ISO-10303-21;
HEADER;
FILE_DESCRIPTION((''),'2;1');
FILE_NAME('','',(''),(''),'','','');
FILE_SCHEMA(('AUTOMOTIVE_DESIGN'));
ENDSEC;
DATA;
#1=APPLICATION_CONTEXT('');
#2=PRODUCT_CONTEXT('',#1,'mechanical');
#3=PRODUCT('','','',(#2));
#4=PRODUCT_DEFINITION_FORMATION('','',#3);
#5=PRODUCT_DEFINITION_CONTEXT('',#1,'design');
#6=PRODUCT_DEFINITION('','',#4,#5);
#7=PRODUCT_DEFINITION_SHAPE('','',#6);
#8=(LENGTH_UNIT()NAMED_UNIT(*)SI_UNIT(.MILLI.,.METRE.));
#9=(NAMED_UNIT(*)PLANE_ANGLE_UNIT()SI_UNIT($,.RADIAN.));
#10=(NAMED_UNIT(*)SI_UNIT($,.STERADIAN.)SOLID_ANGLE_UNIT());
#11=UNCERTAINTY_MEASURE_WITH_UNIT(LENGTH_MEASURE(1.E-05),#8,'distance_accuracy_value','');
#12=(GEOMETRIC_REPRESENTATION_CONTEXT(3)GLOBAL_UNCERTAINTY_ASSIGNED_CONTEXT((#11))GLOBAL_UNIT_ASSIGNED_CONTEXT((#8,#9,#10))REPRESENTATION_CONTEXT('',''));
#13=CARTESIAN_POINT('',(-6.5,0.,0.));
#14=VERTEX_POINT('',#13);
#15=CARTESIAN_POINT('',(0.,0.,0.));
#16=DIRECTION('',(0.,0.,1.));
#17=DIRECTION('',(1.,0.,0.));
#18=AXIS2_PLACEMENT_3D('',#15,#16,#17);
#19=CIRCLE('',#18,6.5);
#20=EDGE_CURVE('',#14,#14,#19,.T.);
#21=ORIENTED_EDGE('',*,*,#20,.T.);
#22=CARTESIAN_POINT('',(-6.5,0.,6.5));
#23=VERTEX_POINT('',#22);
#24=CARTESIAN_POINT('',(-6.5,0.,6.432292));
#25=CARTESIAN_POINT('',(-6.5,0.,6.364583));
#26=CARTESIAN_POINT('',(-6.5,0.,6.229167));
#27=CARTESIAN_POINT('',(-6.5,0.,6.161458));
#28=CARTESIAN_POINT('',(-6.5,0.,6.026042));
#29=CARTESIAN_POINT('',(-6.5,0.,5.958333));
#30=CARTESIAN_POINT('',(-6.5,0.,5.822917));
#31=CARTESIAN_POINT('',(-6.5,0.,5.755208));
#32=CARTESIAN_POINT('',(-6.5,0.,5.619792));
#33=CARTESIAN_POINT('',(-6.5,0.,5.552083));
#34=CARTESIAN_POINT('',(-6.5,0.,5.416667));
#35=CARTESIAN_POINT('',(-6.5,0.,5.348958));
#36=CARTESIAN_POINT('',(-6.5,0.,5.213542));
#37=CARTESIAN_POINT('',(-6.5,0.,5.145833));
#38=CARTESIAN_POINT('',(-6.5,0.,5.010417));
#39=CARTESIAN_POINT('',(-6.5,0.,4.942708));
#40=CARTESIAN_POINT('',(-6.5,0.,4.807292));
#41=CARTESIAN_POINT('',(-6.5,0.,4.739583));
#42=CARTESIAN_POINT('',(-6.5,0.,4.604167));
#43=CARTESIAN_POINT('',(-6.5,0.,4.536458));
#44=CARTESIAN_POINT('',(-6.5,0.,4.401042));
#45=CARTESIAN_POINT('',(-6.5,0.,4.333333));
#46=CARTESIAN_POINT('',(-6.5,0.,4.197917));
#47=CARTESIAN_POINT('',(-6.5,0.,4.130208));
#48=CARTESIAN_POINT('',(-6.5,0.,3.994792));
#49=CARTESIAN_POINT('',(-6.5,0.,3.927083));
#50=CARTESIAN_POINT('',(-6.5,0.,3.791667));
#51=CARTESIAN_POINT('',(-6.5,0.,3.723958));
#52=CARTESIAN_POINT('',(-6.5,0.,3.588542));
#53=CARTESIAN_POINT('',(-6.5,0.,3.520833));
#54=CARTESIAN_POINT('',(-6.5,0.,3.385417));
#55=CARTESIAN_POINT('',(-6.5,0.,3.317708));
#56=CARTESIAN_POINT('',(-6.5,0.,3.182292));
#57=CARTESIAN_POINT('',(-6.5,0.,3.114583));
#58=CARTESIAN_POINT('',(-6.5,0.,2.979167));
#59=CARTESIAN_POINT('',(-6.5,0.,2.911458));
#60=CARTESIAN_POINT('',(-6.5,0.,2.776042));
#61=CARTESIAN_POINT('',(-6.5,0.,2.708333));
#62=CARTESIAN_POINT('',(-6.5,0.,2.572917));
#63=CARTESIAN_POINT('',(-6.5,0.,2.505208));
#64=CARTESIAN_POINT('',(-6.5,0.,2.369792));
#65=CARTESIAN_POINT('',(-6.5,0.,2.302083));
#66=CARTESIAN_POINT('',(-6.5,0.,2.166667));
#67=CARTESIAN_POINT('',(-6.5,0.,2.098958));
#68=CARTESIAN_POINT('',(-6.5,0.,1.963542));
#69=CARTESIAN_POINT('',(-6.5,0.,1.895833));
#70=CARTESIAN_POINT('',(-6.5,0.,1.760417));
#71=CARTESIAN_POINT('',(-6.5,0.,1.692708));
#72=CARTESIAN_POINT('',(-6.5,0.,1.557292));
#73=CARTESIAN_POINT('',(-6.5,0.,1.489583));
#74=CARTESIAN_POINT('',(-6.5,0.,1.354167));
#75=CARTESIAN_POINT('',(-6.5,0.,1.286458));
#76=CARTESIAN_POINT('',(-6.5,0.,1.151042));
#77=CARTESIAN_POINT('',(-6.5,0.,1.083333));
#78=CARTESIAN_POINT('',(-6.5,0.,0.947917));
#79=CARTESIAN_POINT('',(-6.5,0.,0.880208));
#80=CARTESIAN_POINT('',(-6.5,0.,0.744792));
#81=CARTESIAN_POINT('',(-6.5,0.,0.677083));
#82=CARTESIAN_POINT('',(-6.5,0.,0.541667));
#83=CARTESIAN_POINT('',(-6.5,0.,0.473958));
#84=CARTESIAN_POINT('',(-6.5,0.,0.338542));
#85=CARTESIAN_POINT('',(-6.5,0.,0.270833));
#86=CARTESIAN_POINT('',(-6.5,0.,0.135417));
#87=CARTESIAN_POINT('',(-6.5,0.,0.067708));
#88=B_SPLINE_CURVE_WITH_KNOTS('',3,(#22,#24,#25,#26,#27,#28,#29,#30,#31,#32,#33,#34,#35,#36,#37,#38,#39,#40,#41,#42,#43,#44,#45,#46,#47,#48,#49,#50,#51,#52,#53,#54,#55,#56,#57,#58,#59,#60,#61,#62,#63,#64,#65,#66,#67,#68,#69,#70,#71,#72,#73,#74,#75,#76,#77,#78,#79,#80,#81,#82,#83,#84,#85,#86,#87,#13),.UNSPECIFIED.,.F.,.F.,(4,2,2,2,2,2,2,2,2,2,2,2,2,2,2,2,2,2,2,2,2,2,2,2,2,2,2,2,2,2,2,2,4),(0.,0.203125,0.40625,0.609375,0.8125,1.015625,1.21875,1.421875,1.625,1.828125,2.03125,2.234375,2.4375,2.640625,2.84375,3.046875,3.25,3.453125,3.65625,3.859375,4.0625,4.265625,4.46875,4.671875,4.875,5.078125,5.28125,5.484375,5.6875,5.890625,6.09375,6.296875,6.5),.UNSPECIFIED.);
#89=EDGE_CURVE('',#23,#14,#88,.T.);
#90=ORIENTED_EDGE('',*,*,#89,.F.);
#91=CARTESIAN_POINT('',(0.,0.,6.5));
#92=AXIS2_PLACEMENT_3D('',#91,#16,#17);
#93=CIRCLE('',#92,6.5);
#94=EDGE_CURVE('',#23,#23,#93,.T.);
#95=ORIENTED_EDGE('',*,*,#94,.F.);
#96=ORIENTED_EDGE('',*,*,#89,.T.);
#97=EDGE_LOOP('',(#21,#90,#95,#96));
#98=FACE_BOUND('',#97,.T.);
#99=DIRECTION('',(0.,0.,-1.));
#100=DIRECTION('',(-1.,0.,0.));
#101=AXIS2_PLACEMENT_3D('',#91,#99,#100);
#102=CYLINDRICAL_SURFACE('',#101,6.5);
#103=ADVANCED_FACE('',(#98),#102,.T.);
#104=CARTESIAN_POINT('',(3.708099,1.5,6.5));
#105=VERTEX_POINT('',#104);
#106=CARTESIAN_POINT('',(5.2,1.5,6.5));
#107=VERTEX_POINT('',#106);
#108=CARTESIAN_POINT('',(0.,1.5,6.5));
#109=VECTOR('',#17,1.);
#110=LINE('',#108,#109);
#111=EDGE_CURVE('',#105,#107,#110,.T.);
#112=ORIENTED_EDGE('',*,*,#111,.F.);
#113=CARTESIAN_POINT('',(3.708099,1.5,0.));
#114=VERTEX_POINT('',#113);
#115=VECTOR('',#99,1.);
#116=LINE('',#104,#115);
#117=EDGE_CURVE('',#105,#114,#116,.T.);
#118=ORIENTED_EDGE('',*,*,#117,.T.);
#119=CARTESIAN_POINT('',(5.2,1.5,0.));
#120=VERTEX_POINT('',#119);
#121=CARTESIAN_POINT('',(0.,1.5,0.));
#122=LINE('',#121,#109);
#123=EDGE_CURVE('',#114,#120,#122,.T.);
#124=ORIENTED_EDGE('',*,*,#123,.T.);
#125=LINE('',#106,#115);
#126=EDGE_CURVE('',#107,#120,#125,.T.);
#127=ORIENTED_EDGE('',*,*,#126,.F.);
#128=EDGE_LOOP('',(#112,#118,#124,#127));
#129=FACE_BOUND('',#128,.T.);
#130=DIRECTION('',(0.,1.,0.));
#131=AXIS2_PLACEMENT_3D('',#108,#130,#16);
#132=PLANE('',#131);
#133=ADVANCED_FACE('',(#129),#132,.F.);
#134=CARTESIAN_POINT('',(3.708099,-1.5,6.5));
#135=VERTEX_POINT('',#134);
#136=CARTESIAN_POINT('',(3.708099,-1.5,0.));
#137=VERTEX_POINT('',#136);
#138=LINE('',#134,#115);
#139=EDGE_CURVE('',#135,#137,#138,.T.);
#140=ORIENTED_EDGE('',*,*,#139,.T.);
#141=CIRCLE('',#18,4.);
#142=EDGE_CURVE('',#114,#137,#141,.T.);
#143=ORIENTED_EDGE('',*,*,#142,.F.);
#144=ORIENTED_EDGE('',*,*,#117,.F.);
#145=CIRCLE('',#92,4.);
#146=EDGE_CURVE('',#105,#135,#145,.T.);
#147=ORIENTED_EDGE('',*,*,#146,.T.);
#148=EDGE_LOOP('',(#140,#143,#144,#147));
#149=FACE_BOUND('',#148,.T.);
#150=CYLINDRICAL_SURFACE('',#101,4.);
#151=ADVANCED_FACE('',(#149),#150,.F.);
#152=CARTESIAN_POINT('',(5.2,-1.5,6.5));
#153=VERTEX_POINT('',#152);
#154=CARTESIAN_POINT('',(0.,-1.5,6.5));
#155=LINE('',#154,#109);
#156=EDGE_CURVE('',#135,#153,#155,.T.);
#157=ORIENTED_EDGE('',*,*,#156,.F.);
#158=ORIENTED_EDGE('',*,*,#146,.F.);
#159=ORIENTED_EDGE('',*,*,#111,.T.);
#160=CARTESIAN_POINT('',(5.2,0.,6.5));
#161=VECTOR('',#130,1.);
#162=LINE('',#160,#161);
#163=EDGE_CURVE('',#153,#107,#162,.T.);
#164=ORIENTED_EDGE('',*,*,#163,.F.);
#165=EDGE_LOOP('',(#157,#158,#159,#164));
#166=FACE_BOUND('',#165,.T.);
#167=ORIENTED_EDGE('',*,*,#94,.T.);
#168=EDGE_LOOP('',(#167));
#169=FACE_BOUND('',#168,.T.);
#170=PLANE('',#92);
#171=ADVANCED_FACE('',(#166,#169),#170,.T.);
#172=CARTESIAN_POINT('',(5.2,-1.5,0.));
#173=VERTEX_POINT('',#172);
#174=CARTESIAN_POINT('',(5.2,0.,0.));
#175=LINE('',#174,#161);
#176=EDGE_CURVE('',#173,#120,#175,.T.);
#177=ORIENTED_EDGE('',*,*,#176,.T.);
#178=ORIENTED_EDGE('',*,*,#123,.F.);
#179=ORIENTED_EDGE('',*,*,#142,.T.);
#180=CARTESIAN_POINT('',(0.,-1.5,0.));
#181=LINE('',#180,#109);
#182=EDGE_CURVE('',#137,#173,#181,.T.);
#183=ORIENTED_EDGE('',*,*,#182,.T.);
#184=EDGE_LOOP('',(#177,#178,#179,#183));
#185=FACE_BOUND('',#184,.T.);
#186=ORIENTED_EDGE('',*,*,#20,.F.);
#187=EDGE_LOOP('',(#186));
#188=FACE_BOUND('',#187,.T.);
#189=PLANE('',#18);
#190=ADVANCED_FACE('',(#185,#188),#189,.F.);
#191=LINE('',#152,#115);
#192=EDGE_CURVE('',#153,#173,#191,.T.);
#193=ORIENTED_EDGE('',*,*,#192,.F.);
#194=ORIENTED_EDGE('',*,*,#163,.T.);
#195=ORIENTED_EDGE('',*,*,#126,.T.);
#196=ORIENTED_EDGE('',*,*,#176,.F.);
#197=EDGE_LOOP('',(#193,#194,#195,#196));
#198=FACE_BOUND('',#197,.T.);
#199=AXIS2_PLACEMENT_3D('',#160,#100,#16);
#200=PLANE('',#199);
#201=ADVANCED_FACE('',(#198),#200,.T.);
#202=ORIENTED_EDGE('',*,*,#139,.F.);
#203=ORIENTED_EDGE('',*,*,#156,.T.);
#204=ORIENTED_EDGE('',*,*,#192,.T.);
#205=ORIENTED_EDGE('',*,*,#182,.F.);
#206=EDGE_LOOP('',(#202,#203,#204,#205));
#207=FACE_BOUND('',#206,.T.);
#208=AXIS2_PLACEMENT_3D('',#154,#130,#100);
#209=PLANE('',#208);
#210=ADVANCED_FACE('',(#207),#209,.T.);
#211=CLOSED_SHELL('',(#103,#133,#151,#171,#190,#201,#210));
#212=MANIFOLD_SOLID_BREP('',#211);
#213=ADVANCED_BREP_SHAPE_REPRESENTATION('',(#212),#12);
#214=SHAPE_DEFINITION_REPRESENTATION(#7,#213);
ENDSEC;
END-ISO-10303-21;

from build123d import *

# Parameters (mm, degrees)
SKETCH1_R           = 6.5
BOSS_EXTRUDE1_DEPTH = 6.5


with BuildPart() as part:
    # Sketch1 → Boss-Extrude1 (new body)
    with BuildSketch(Plane.XY):
        with Locations(Location((0, 0, 0), (0, 0, 180))):
            Circle(SKETCH1_R)
        with BuildLine():
            Line((5.2, -1.5), (3.708099244, -1.5))
            ThreePointArc((3.708099244, -1.5), (-4, 0), (3.708099244, 1.5))
            Line((3.708099244, 1.5), (5.2, 1.5))
            Line((5.2, 1.5), (5.2, -1.5))
        make_face(mode=Mode.SUBTRACT)
    extrude(amount=BOSS_EXTRUDE1_DEPTH)


solid = part.part
